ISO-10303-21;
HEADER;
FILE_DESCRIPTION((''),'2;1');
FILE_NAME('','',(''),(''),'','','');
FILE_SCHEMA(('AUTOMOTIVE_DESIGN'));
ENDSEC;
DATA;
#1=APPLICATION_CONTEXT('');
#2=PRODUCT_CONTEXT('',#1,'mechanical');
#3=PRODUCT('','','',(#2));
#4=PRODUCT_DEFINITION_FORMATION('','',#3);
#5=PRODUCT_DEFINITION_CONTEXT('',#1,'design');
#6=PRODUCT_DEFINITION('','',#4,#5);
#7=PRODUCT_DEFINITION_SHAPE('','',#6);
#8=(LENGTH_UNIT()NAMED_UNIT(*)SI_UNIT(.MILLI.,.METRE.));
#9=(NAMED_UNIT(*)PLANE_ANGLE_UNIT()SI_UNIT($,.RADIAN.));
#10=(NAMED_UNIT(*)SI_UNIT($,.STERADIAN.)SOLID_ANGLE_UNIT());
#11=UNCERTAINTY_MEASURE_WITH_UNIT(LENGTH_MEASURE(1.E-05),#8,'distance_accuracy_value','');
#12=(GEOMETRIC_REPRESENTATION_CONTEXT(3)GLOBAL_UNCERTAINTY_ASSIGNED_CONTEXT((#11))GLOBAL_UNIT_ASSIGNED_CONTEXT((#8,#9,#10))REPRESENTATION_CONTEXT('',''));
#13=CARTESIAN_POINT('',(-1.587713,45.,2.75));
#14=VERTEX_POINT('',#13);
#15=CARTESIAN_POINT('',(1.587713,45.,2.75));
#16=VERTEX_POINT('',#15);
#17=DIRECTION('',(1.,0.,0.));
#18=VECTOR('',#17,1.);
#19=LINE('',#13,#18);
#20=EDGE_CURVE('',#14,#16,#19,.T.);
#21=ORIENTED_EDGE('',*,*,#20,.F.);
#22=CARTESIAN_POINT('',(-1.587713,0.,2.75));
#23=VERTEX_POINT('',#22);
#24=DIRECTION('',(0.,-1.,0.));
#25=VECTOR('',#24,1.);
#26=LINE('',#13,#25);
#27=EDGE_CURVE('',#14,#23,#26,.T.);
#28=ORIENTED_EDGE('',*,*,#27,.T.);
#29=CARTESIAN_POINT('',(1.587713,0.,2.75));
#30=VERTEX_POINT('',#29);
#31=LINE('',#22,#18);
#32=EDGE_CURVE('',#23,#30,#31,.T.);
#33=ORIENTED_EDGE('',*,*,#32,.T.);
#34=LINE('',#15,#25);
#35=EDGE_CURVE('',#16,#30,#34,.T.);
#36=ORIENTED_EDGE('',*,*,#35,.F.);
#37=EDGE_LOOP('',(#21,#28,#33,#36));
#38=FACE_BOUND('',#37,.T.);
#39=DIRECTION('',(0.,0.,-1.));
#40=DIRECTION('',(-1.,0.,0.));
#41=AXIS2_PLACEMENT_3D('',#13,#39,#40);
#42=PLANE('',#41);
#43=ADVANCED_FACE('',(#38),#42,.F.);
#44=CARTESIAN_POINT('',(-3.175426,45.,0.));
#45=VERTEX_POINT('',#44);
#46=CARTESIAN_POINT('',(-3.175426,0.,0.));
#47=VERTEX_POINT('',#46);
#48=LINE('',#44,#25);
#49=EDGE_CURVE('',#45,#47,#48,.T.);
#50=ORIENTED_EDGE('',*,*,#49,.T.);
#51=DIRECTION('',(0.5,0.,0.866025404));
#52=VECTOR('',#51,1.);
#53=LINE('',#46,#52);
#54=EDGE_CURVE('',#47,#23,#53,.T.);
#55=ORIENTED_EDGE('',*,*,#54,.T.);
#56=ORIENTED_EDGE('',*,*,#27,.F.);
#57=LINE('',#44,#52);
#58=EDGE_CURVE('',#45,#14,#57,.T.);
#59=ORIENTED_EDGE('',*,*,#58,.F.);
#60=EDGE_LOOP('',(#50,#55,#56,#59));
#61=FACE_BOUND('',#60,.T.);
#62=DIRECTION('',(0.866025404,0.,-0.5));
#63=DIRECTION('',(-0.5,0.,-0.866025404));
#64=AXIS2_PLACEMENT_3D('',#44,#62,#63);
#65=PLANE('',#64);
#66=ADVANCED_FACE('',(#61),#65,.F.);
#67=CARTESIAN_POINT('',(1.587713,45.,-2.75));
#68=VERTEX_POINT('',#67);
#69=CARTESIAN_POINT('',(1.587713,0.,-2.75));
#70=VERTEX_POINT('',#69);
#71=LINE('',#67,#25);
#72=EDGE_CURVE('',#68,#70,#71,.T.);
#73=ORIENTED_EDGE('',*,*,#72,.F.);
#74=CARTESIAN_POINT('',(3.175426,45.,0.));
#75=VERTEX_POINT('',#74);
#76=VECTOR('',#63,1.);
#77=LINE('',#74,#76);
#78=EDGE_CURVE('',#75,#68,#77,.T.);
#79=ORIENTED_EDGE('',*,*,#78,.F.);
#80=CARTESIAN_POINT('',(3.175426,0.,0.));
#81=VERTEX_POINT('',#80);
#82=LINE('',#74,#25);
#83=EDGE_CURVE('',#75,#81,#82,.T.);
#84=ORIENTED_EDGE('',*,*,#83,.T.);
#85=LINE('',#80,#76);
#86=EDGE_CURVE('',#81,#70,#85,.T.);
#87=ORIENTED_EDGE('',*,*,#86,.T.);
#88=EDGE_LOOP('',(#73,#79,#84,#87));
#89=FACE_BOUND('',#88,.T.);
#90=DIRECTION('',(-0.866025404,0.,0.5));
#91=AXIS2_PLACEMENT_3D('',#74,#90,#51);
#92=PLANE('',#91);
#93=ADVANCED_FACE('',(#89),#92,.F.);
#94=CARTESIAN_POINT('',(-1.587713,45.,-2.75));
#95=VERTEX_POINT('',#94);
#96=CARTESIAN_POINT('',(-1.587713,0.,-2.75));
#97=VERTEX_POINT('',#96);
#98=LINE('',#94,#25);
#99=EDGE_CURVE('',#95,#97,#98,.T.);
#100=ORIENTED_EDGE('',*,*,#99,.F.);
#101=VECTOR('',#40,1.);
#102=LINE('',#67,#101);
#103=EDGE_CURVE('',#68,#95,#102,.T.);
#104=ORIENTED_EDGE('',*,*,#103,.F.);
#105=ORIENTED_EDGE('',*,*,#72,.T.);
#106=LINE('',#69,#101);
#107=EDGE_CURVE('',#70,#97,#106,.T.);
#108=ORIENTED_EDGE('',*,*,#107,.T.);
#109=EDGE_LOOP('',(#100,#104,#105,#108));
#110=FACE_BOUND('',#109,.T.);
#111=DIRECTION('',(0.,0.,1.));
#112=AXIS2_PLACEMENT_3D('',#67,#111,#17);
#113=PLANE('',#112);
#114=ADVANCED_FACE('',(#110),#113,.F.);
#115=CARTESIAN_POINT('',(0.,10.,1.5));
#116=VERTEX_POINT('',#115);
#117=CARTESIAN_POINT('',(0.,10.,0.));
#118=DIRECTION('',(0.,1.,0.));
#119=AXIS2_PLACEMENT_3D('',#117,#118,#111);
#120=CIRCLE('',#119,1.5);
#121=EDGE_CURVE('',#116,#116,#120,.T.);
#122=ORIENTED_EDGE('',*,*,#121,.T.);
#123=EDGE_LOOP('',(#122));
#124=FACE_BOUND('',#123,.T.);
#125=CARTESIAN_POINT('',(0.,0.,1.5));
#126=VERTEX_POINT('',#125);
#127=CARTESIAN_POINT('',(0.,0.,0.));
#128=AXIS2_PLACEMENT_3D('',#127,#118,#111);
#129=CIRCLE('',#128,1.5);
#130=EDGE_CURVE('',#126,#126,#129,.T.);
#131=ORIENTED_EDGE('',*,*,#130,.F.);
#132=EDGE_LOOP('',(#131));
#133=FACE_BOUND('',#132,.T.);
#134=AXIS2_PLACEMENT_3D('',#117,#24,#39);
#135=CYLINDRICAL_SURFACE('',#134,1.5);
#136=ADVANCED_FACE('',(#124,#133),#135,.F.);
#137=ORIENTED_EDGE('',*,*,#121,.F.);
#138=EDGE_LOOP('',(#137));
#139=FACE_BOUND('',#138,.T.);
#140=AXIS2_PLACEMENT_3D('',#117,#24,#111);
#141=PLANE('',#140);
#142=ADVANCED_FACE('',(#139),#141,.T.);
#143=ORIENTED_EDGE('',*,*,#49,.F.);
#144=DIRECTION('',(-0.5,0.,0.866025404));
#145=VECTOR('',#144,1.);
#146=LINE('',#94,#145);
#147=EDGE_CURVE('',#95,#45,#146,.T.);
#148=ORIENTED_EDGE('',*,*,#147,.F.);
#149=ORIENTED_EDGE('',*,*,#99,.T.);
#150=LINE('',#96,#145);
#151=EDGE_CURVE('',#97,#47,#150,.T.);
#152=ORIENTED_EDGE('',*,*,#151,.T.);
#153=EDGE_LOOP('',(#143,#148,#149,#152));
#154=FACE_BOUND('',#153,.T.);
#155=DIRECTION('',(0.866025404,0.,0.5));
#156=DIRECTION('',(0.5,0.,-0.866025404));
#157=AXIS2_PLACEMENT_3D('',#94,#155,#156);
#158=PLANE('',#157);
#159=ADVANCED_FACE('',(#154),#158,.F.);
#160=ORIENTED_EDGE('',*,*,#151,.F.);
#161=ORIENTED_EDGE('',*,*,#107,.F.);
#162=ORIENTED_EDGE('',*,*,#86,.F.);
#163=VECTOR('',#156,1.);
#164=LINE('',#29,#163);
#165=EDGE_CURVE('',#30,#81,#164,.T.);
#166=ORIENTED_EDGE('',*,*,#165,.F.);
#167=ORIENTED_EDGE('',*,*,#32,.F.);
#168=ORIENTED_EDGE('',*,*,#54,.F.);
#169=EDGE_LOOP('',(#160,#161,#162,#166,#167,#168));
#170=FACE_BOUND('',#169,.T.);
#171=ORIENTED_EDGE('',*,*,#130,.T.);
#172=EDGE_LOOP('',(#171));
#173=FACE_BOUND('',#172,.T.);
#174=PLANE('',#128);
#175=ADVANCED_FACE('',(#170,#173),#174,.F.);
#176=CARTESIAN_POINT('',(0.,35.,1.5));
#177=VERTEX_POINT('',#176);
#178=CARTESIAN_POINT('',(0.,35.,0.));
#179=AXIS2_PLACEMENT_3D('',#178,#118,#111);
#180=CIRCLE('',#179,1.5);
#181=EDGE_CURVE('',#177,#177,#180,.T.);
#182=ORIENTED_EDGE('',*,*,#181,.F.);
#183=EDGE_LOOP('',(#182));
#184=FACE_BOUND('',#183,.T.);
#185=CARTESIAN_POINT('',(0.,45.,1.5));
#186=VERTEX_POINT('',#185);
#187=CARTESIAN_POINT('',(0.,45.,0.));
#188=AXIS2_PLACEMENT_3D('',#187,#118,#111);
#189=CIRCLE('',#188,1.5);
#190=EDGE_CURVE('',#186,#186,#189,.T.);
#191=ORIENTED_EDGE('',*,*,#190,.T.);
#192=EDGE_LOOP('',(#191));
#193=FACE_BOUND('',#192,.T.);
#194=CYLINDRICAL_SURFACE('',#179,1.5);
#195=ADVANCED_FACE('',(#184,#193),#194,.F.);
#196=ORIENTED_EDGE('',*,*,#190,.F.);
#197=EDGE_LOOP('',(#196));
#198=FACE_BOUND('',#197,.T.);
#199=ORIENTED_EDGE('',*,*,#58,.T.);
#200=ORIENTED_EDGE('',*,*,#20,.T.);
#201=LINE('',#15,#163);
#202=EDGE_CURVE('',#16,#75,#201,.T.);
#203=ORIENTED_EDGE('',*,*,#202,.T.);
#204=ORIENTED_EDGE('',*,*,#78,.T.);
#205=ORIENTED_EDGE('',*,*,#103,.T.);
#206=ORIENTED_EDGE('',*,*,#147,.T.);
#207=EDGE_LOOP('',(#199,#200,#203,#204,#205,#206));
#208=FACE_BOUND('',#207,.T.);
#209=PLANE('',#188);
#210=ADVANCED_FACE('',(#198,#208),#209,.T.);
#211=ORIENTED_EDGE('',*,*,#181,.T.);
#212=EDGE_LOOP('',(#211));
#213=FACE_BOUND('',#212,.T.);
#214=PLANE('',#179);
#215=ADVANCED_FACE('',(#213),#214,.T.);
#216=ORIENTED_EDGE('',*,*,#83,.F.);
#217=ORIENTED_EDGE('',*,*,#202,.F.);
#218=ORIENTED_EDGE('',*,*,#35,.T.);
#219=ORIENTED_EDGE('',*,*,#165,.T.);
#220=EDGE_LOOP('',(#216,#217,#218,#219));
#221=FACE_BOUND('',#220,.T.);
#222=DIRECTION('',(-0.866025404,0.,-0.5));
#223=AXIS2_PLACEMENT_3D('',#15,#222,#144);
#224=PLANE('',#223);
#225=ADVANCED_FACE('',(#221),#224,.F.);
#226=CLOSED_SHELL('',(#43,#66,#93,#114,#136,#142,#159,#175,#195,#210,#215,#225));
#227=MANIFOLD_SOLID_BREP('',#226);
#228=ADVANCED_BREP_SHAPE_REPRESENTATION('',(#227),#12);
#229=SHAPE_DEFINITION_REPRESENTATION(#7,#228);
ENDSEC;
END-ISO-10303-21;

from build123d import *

# Parameters (mm, degrees)
BOSS_EXTRUDE1_DEPTH = 45
SKETCH2_R           = 1.5
CUT_EXTRUDE1_DEPTH  = 10


with BuildPart() as part:
    # Sketch1 → Boss-Extrude1 (new body)
    with BuildSketch(Plane(origin=(0, 0, 0), x_dir=(1, 0, 0), z_dir=(0, 1, 0))):
        Polygon((3.175426481, 0), (1.58771324, 2.75), (-1.58771324, 2.75), (-3.175426481, 0), (-1.58771324, -2.75), (1.58771324, -2.75), align=None)
    extrude(amount=BOSS_EXTRUDE1_DEPTH)

    # Sketch2 → Cut-Extrude1 (cut)
    with BuildSketch(Plane(origin=(0, 45, 0), x_dir=(1, 0, 0), z_dir=(0, 1, 0))):
        with Locations(Location((0, 0, 0), (0, 0, 270))):
            Circle(SKETCH2_R)
    cut_extrude1 = extrude(amount=-CUT_EXTRUDE1_DEPTH, mode=Mode.SUBTRACT)

    # Mirror1: Cut-Extrude1 across plane
    add(cut_extrude1.mirror(Plane(origin=(0, 22.5, 0), x_dir=(0, 0, 1), z_dir=(0, -1, 0))), mode=Mode.SUBTRACT)


solid = part.part
